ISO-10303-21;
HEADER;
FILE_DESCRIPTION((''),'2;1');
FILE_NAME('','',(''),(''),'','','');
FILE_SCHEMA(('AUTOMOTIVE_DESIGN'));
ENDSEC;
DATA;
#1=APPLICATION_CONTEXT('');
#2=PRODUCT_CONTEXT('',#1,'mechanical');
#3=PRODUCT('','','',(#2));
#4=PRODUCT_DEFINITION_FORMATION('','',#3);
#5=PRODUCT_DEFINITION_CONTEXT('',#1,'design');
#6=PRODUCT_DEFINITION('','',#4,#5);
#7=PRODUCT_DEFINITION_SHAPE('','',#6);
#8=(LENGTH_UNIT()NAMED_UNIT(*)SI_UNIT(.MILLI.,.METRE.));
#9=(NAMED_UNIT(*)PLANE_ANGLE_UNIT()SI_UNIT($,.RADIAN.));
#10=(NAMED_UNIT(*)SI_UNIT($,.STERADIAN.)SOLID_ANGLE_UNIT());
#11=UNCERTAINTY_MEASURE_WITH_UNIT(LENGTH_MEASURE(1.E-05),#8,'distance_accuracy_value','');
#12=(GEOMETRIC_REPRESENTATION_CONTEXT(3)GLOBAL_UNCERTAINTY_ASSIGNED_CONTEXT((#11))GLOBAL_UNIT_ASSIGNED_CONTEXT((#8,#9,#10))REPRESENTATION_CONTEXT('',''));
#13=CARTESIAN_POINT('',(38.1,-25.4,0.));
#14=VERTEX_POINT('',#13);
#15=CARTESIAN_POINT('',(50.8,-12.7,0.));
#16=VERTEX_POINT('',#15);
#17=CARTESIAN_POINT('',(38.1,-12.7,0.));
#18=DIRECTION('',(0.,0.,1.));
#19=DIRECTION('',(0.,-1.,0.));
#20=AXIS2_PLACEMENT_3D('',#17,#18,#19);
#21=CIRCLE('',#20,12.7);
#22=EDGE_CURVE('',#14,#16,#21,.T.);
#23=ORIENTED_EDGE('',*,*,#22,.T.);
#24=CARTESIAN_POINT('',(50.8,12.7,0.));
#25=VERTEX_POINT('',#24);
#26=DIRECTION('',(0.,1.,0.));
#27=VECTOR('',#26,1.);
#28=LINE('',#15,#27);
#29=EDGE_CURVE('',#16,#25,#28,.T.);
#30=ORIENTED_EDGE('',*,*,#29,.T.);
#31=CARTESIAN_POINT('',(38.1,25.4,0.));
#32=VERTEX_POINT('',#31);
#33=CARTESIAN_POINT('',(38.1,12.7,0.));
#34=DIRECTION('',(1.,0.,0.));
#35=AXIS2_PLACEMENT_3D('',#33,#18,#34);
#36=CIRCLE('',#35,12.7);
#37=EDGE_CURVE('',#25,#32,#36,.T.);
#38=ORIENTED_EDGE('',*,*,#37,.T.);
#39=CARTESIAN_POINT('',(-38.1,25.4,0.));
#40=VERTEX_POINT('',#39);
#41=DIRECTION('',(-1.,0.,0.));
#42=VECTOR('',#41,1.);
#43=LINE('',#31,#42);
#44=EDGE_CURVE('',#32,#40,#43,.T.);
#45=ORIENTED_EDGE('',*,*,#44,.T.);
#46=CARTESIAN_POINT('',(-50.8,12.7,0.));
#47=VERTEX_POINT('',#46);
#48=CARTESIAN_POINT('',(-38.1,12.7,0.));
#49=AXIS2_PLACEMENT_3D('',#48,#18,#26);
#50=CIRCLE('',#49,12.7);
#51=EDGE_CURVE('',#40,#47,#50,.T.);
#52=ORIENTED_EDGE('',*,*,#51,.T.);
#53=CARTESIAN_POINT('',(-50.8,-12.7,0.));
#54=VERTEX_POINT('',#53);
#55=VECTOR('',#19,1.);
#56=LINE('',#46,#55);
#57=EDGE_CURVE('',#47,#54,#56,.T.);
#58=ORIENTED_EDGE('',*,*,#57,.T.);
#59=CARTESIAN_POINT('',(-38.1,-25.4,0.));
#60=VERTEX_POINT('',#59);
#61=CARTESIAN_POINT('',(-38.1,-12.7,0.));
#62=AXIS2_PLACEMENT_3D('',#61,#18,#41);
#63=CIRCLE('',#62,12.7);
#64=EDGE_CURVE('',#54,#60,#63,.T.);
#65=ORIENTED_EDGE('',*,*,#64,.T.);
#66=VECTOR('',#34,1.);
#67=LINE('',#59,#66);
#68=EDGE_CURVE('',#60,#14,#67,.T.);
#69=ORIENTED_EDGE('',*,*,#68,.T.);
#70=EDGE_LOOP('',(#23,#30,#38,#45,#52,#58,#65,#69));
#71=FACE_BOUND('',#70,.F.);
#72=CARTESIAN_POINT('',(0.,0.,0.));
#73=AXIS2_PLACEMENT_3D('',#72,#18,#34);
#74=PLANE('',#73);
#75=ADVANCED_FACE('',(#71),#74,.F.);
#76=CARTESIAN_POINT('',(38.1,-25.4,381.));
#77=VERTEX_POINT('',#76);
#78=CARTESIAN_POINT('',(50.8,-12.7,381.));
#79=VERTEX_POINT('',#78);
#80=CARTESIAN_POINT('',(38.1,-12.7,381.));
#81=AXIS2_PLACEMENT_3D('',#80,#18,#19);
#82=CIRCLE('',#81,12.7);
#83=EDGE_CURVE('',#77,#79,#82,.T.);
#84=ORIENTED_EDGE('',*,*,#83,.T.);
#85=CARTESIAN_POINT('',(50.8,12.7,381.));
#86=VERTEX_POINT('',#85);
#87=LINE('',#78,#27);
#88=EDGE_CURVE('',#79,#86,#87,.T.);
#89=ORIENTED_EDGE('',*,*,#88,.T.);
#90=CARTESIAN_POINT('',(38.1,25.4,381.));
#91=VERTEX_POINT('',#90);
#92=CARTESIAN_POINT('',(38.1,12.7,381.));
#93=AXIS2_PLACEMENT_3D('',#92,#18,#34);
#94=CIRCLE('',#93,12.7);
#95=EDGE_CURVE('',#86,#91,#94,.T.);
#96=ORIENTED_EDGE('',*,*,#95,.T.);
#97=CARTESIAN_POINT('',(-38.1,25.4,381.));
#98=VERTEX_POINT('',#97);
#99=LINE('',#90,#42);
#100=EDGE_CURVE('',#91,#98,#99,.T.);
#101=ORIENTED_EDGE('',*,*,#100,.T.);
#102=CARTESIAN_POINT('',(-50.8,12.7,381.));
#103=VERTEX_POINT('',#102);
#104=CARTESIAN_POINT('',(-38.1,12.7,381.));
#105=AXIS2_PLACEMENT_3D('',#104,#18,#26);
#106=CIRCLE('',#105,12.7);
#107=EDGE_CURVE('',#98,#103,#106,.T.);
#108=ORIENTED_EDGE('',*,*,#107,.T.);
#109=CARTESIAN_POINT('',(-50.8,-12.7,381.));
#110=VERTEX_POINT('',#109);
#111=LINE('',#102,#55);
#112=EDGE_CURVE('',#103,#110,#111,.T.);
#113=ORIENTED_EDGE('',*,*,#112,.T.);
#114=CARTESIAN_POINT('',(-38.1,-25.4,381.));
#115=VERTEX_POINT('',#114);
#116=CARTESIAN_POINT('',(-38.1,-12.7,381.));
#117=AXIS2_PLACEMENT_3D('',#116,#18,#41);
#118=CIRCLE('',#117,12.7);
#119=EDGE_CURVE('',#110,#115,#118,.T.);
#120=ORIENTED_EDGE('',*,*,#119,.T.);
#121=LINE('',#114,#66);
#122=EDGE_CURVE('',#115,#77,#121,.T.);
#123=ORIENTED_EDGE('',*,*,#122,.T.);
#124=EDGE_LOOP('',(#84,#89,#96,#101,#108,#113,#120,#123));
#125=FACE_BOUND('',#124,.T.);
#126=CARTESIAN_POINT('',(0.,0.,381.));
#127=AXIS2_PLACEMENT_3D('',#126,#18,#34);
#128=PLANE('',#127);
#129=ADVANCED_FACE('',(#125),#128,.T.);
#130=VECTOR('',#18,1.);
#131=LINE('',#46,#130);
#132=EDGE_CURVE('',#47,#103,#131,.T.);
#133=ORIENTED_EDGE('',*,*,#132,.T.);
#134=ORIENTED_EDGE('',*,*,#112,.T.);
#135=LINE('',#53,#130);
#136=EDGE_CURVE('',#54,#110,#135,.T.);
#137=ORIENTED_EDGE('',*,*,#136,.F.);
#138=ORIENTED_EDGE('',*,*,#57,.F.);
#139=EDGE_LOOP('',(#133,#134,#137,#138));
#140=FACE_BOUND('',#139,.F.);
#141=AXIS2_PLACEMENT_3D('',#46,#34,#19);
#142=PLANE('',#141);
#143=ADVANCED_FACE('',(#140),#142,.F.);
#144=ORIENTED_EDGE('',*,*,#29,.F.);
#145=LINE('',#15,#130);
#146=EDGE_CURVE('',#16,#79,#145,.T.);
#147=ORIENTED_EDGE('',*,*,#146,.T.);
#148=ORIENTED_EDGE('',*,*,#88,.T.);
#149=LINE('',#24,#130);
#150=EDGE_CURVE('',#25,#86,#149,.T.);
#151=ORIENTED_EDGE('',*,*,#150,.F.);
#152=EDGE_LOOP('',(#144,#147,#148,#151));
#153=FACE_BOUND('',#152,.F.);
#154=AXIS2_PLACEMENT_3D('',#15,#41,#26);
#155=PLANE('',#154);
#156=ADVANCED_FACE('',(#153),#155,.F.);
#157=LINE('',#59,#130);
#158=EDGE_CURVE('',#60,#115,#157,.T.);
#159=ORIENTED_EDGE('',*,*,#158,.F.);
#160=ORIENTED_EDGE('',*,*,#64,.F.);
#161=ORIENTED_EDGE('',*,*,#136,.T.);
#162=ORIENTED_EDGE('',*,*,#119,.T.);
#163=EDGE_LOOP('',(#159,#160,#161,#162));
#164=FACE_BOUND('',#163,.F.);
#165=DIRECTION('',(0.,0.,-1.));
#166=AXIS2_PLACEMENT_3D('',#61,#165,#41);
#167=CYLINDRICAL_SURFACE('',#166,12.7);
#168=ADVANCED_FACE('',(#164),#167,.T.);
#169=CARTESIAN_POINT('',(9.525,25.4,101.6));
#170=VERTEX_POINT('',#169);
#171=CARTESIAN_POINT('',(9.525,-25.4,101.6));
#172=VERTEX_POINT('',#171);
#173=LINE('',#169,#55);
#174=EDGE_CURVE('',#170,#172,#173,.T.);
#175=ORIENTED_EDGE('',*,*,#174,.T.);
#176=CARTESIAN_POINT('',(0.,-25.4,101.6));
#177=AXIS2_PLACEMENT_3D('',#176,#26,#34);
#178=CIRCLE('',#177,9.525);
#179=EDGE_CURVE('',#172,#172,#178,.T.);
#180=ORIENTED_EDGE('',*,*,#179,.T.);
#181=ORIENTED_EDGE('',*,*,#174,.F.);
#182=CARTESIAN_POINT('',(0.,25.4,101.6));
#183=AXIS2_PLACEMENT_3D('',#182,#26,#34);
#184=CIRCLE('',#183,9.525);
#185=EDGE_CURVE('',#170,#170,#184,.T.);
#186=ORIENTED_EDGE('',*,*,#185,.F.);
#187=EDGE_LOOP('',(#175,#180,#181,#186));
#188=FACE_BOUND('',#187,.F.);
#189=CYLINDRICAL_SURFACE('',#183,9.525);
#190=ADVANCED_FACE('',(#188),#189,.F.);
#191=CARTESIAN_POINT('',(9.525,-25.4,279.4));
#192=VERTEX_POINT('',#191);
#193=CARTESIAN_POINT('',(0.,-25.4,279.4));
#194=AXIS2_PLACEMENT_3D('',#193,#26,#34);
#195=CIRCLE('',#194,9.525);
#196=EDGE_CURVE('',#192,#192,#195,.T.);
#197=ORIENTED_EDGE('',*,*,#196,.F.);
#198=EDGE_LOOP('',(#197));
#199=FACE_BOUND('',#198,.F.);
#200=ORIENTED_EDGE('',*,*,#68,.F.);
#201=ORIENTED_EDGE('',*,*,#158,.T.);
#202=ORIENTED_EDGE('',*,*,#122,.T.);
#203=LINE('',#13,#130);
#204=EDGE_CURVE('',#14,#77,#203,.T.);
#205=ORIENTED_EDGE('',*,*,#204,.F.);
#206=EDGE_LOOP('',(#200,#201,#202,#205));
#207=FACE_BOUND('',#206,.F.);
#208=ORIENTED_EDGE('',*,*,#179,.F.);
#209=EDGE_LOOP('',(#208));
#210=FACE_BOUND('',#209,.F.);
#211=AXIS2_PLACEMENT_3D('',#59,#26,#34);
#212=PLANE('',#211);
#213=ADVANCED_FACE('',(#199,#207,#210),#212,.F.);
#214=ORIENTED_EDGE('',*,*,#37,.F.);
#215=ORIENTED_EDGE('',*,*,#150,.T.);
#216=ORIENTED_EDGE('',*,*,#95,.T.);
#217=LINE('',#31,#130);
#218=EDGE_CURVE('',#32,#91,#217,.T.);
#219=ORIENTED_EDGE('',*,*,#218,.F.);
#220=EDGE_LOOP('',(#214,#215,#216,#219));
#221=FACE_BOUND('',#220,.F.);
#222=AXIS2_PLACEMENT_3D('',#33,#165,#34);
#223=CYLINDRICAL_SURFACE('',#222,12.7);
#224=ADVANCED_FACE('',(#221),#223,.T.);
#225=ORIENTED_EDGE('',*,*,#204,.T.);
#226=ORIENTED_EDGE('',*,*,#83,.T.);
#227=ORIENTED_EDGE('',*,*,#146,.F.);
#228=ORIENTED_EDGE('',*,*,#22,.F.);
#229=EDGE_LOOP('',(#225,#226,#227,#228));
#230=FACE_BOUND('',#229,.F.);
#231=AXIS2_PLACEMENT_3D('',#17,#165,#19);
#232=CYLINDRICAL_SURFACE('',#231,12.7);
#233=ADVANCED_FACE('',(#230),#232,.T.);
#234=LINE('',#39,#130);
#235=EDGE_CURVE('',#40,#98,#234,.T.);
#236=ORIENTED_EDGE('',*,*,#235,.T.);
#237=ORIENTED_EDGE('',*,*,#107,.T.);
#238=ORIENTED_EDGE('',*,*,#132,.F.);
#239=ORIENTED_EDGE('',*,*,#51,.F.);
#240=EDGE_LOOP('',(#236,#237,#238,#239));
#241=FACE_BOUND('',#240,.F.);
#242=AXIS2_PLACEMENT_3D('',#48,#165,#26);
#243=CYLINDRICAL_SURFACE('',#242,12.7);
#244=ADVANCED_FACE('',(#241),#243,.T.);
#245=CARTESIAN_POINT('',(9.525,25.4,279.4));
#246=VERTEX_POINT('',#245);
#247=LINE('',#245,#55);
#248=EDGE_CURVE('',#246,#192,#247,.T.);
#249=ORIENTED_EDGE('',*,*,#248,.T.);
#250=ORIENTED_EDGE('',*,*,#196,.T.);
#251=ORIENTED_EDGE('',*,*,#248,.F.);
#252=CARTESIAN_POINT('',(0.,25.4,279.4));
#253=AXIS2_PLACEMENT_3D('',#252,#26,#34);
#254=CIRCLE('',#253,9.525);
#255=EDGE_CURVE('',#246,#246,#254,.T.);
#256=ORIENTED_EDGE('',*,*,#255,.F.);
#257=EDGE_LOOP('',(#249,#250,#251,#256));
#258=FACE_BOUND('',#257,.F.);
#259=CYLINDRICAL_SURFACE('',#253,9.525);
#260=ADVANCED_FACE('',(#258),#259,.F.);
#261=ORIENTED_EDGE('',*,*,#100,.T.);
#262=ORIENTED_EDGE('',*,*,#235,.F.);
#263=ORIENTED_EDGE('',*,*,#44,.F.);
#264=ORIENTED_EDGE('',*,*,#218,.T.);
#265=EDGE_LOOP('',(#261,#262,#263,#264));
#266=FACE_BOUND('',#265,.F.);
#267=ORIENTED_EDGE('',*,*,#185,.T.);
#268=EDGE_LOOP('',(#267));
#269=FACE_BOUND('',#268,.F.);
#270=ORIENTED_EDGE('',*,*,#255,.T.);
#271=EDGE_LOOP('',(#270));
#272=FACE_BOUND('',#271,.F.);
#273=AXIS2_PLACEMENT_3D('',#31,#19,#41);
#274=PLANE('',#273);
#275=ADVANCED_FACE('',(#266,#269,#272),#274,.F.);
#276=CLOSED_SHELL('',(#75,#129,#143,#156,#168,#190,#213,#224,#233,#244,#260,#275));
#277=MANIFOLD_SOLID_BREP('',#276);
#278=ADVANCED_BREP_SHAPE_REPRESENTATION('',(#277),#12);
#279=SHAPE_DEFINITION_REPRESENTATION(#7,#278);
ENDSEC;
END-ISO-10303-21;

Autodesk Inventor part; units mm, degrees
ref_plane "YZ Plane" through (0, 0, 0) normal (1, 0, 0) x (0, 1, 0)
ref_plane "XZ Plane" through (0, 0, 0) normal (0, 1, 0) x (-1, 0, 0)
ref_plane "XY Plane" through (0, 0, 0) normal (0, 0, 1) x (1, 0, 0)
sketch "Sketch1" plane through (0, 0, 0) normal (0, 0, 1) x (1, 0, 0)
  line L0 (-38.1, -25.4) -> (38.1, -25.4)
  line L1 (50.8, -12.7) -> (50.8, 12.7)
  line L2 (38.1, 25.4) -> (-38.1, 25.4)
  line L3 (-50.8, 12.7) -> (-50.8, -12.7)
  line L4 (-50.8, -25.4) -> (50.8, 25.4) construction
  line L5 (50.8, -25.4) -> (-50.8, 25.4) construction
  arc A0 (-38.1, 25.4) -> (-50.8, 12.7) centre (-38.1, 12.7) ccw
  arc A1 (-50.8, -12.7) -> (-38.1, -25.4) centre (-38.1, -12.7) ccw
  arc A2 (38.1, -25.4) -> (50.8, -12.7) centre (38.1, -12.7) ccw
  arc A3 (50.8, 12.7) -> (38.1, 25.4) centre (38.1, 12.7) ccw
  point P0 (0, 0)
  dimension "d0" = 12.7
  dimension "d1" = 101.6
  dimension "d2" = 50.8
extrude "Extrusion1" add sketch "Sketch1" along normal blind 381
sketch "Sketch2" plane through (-38.1, 25.4, 0) normal (0, 1, 0) x (1, 0, 0)
  circle A0 centre (38.1, -279.4) radius 9.525
  circle A1 centre (38.1, -101.6) radius 9.525
  line L0 (-12.7, 0) -> (-12.7, -381) projected
  line L1 (76.2, 0) -> (0, 0) projected
  point P0 (38.1, 0)
  point P1 (-12.7, -190.5)
  point P2 (38.1, 0)
  dimension "d6" = 88.9
  dimension "d7" = 19.05
  dimension "d8" = 177.8
extrude "Extrusion2" cut sketch "Sketch2" against normal blind 381
properties part number "Wood-1"
